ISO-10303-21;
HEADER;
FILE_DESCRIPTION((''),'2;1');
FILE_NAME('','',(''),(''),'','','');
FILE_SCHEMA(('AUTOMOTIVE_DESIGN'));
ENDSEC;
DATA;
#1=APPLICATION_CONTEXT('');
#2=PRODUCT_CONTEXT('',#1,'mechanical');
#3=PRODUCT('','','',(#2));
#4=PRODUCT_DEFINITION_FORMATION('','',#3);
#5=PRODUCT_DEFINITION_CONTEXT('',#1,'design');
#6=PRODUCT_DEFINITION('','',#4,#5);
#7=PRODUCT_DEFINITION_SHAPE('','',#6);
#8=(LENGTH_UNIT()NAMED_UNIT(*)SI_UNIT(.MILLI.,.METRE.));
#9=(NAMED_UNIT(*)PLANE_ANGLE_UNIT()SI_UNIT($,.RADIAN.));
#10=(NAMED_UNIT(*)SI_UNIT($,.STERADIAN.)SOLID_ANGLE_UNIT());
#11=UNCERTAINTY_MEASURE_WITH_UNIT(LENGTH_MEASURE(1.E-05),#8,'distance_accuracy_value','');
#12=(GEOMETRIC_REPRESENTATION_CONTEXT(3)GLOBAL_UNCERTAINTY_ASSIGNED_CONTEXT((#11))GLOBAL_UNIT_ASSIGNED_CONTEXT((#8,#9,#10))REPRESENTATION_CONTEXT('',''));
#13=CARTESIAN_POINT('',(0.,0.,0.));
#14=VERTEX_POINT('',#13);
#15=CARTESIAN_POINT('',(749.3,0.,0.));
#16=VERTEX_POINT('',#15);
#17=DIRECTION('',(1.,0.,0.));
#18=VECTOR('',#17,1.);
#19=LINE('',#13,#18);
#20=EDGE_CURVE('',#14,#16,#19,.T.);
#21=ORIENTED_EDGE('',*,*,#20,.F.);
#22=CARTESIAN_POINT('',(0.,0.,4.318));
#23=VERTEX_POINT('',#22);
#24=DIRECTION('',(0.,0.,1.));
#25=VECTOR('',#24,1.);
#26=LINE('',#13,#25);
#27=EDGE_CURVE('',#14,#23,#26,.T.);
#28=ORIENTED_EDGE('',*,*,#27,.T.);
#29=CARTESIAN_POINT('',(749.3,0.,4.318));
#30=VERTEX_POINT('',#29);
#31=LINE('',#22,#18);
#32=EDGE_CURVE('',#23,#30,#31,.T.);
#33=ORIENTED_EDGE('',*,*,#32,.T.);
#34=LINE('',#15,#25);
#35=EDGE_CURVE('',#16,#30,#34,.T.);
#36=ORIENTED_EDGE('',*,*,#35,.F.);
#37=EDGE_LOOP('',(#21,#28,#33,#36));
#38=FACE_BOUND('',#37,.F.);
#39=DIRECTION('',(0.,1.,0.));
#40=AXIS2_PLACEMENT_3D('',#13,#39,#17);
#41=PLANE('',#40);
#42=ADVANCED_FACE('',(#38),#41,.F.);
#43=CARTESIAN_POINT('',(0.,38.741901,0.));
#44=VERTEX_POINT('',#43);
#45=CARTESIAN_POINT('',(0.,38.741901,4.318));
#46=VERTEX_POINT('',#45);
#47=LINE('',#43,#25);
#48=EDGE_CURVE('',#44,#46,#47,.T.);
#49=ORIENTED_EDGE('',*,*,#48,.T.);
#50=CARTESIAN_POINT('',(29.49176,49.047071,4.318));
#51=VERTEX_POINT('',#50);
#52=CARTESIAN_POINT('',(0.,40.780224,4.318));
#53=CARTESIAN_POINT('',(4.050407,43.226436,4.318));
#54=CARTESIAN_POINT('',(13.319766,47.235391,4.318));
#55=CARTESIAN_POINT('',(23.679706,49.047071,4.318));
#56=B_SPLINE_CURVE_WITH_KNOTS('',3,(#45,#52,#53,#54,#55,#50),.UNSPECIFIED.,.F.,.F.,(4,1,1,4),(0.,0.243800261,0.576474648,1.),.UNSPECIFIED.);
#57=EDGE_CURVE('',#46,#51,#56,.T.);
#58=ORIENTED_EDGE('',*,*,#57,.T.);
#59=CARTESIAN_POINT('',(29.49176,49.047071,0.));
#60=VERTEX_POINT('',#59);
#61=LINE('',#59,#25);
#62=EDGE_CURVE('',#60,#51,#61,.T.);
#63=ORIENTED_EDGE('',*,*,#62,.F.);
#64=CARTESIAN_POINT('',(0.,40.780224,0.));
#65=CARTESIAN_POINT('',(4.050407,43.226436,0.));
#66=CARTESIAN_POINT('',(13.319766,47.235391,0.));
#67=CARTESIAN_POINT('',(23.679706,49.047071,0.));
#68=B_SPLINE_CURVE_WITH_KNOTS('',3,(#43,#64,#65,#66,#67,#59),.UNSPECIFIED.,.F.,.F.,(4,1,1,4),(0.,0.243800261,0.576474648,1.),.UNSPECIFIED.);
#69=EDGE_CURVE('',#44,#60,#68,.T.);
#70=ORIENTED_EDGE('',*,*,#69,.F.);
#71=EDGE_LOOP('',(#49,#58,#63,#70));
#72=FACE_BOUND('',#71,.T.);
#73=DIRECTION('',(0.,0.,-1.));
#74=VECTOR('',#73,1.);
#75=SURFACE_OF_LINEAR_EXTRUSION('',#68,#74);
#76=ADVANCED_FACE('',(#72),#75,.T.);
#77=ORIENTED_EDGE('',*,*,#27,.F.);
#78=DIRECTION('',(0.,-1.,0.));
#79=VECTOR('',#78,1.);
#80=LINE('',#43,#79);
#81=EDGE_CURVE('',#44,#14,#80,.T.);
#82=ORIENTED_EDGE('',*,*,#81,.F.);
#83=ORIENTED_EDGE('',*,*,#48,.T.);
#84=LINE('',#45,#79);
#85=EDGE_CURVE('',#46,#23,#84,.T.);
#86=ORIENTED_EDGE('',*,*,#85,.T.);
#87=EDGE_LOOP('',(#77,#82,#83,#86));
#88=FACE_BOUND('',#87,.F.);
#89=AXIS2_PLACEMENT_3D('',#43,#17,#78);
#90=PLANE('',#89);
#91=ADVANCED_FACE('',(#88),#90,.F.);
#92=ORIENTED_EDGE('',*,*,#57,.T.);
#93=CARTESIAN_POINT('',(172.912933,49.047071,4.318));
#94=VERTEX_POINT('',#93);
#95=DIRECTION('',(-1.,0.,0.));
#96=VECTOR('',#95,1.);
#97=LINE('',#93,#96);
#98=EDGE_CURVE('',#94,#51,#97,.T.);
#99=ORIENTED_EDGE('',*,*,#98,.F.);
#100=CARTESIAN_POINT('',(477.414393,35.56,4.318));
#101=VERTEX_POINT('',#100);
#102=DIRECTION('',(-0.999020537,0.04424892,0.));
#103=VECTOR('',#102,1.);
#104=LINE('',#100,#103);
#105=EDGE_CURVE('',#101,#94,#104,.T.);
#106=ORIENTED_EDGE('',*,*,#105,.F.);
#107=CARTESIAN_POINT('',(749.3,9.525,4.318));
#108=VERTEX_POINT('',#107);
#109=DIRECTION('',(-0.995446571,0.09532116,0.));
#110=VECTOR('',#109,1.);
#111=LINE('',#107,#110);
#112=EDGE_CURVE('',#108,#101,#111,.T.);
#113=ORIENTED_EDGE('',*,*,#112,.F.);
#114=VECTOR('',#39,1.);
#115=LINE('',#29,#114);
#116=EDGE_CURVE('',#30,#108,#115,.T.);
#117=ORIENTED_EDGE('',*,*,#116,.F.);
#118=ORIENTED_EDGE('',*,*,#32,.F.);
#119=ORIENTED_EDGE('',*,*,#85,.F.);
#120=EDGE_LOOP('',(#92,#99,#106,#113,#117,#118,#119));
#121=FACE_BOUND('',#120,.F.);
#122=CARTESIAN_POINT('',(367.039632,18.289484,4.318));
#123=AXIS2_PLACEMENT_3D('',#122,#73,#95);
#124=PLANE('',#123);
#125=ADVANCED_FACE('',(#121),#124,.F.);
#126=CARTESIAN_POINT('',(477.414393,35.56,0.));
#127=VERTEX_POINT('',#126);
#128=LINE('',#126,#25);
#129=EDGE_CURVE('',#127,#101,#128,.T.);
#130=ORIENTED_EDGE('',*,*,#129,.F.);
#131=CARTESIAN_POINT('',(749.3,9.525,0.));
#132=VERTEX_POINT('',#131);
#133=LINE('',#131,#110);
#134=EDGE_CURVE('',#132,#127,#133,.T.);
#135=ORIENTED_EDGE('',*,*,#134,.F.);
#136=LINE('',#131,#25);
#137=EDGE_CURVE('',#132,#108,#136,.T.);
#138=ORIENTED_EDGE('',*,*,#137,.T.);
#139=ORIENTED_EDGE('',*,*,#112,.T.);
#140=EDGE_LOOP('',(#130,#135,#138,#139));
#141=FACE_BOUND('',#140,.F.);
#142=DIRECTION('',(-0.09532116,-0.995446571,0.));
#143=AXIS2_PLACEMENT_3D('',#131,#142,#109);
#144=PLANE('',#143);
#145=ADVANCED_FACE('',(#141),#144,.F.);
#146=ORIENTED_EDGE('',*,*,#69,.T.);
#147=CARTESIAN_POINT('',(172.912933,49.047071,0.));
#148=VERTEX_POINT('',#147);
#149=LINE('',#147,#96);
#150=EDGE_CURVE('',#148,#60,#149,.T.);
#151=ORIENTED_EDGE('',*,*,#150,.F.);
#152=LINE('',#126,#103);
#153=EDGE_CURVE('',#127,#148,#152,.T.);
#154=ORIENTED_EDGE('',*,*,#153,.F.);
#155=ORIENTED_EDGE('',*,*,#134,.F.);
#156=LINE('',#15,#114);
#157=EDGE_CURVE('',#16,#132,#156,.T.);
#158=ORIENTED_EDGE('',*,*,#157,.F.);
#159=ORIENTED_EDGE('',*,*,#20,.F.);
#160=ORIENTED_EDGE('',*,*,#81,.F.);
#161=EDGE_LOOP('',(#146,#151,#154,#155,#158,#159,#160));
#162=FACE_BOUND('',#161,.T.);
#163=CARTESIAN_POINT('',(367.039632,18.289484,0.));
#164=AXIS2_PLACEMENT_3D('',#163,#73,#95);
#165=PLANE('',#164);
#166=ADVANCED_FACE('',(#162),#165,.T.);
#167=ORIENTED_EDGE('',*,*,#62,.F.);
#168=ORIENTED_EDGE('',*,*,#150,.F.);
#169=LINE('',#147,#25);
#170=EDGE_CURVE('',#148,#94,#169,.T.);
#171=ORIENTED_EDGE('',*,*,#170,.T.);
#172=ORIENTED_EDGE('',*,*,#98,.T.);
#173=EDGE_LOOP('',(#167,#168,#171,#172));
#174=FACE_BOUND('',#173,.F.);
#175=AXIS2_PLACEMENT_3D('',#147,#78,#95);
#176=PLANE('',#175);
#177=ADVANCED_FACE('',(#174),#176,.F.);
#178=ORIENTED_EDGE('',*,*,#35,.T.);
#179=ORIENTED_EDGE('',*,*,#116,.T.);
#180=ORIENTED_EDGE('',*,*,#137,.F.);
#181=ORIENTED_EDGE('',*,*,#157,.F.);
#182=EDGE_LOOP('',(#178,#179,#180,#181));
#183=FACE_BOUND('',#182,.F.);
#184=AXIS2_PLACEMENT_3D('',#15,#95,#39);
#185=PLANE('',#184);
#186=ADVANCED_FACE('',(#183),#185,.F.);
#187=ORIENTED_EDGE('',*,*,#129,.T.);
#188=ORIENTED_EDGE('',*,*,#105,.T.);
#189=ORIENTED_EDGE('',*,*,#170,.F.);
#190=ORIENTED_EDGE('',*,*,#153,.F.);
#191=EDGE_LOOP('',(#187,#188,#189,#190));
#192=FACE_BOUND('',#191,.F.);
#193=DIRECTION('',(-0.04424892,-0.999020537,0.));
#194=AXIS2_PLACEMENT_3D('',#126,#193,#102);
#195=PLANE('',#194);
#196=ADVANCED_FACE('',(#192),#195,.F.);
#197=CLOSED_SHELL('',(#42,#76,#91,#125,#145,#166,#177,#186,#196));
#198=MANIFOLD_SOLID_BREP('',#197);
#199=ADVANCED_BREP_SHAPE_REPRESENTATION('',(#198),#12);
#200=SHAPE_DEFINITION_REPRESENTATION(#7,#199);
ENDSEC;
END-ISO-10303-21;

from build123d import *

# Parameters (mm, degrees)
F1_DEPTH = 4.318


with BuildPart() as f1:
    # F0 (on Top) → F1 (new body)
    with BuildSketch(Plane.XY):
        with BuildLine():
            add(Edge.make_bspline(
                [(0, 38.7419006444), (0, 40.780224347), (4.0504073247, 43.2264357913), (13.3197663427, 47.2353910075), (23.679706238, 49.0470707989), (29.4917598367, 49.0470707989)],
                knots=[0, 0, 0, 0, 0.243800261, 0.5764746481, 1, 1, 1, 1], degree=3))
            Line((0, 38.7419006444), (0, 0))
            Line((0, 0), (749.3, 0))
            Line((749.3, 0), (749.3, 9.525))
            Line((749.3, 9.525), (477.4143925697, 35.56))
            Line((477.4143925697, 35.56), (172.9129329324, 49.0470707989))
            Line((172.9129329324, 49.0470707989), (29.4917598367, 49.0470707989))
        make_face()
    extrude(amount=F1_DEPTH)


solid = f1.part
